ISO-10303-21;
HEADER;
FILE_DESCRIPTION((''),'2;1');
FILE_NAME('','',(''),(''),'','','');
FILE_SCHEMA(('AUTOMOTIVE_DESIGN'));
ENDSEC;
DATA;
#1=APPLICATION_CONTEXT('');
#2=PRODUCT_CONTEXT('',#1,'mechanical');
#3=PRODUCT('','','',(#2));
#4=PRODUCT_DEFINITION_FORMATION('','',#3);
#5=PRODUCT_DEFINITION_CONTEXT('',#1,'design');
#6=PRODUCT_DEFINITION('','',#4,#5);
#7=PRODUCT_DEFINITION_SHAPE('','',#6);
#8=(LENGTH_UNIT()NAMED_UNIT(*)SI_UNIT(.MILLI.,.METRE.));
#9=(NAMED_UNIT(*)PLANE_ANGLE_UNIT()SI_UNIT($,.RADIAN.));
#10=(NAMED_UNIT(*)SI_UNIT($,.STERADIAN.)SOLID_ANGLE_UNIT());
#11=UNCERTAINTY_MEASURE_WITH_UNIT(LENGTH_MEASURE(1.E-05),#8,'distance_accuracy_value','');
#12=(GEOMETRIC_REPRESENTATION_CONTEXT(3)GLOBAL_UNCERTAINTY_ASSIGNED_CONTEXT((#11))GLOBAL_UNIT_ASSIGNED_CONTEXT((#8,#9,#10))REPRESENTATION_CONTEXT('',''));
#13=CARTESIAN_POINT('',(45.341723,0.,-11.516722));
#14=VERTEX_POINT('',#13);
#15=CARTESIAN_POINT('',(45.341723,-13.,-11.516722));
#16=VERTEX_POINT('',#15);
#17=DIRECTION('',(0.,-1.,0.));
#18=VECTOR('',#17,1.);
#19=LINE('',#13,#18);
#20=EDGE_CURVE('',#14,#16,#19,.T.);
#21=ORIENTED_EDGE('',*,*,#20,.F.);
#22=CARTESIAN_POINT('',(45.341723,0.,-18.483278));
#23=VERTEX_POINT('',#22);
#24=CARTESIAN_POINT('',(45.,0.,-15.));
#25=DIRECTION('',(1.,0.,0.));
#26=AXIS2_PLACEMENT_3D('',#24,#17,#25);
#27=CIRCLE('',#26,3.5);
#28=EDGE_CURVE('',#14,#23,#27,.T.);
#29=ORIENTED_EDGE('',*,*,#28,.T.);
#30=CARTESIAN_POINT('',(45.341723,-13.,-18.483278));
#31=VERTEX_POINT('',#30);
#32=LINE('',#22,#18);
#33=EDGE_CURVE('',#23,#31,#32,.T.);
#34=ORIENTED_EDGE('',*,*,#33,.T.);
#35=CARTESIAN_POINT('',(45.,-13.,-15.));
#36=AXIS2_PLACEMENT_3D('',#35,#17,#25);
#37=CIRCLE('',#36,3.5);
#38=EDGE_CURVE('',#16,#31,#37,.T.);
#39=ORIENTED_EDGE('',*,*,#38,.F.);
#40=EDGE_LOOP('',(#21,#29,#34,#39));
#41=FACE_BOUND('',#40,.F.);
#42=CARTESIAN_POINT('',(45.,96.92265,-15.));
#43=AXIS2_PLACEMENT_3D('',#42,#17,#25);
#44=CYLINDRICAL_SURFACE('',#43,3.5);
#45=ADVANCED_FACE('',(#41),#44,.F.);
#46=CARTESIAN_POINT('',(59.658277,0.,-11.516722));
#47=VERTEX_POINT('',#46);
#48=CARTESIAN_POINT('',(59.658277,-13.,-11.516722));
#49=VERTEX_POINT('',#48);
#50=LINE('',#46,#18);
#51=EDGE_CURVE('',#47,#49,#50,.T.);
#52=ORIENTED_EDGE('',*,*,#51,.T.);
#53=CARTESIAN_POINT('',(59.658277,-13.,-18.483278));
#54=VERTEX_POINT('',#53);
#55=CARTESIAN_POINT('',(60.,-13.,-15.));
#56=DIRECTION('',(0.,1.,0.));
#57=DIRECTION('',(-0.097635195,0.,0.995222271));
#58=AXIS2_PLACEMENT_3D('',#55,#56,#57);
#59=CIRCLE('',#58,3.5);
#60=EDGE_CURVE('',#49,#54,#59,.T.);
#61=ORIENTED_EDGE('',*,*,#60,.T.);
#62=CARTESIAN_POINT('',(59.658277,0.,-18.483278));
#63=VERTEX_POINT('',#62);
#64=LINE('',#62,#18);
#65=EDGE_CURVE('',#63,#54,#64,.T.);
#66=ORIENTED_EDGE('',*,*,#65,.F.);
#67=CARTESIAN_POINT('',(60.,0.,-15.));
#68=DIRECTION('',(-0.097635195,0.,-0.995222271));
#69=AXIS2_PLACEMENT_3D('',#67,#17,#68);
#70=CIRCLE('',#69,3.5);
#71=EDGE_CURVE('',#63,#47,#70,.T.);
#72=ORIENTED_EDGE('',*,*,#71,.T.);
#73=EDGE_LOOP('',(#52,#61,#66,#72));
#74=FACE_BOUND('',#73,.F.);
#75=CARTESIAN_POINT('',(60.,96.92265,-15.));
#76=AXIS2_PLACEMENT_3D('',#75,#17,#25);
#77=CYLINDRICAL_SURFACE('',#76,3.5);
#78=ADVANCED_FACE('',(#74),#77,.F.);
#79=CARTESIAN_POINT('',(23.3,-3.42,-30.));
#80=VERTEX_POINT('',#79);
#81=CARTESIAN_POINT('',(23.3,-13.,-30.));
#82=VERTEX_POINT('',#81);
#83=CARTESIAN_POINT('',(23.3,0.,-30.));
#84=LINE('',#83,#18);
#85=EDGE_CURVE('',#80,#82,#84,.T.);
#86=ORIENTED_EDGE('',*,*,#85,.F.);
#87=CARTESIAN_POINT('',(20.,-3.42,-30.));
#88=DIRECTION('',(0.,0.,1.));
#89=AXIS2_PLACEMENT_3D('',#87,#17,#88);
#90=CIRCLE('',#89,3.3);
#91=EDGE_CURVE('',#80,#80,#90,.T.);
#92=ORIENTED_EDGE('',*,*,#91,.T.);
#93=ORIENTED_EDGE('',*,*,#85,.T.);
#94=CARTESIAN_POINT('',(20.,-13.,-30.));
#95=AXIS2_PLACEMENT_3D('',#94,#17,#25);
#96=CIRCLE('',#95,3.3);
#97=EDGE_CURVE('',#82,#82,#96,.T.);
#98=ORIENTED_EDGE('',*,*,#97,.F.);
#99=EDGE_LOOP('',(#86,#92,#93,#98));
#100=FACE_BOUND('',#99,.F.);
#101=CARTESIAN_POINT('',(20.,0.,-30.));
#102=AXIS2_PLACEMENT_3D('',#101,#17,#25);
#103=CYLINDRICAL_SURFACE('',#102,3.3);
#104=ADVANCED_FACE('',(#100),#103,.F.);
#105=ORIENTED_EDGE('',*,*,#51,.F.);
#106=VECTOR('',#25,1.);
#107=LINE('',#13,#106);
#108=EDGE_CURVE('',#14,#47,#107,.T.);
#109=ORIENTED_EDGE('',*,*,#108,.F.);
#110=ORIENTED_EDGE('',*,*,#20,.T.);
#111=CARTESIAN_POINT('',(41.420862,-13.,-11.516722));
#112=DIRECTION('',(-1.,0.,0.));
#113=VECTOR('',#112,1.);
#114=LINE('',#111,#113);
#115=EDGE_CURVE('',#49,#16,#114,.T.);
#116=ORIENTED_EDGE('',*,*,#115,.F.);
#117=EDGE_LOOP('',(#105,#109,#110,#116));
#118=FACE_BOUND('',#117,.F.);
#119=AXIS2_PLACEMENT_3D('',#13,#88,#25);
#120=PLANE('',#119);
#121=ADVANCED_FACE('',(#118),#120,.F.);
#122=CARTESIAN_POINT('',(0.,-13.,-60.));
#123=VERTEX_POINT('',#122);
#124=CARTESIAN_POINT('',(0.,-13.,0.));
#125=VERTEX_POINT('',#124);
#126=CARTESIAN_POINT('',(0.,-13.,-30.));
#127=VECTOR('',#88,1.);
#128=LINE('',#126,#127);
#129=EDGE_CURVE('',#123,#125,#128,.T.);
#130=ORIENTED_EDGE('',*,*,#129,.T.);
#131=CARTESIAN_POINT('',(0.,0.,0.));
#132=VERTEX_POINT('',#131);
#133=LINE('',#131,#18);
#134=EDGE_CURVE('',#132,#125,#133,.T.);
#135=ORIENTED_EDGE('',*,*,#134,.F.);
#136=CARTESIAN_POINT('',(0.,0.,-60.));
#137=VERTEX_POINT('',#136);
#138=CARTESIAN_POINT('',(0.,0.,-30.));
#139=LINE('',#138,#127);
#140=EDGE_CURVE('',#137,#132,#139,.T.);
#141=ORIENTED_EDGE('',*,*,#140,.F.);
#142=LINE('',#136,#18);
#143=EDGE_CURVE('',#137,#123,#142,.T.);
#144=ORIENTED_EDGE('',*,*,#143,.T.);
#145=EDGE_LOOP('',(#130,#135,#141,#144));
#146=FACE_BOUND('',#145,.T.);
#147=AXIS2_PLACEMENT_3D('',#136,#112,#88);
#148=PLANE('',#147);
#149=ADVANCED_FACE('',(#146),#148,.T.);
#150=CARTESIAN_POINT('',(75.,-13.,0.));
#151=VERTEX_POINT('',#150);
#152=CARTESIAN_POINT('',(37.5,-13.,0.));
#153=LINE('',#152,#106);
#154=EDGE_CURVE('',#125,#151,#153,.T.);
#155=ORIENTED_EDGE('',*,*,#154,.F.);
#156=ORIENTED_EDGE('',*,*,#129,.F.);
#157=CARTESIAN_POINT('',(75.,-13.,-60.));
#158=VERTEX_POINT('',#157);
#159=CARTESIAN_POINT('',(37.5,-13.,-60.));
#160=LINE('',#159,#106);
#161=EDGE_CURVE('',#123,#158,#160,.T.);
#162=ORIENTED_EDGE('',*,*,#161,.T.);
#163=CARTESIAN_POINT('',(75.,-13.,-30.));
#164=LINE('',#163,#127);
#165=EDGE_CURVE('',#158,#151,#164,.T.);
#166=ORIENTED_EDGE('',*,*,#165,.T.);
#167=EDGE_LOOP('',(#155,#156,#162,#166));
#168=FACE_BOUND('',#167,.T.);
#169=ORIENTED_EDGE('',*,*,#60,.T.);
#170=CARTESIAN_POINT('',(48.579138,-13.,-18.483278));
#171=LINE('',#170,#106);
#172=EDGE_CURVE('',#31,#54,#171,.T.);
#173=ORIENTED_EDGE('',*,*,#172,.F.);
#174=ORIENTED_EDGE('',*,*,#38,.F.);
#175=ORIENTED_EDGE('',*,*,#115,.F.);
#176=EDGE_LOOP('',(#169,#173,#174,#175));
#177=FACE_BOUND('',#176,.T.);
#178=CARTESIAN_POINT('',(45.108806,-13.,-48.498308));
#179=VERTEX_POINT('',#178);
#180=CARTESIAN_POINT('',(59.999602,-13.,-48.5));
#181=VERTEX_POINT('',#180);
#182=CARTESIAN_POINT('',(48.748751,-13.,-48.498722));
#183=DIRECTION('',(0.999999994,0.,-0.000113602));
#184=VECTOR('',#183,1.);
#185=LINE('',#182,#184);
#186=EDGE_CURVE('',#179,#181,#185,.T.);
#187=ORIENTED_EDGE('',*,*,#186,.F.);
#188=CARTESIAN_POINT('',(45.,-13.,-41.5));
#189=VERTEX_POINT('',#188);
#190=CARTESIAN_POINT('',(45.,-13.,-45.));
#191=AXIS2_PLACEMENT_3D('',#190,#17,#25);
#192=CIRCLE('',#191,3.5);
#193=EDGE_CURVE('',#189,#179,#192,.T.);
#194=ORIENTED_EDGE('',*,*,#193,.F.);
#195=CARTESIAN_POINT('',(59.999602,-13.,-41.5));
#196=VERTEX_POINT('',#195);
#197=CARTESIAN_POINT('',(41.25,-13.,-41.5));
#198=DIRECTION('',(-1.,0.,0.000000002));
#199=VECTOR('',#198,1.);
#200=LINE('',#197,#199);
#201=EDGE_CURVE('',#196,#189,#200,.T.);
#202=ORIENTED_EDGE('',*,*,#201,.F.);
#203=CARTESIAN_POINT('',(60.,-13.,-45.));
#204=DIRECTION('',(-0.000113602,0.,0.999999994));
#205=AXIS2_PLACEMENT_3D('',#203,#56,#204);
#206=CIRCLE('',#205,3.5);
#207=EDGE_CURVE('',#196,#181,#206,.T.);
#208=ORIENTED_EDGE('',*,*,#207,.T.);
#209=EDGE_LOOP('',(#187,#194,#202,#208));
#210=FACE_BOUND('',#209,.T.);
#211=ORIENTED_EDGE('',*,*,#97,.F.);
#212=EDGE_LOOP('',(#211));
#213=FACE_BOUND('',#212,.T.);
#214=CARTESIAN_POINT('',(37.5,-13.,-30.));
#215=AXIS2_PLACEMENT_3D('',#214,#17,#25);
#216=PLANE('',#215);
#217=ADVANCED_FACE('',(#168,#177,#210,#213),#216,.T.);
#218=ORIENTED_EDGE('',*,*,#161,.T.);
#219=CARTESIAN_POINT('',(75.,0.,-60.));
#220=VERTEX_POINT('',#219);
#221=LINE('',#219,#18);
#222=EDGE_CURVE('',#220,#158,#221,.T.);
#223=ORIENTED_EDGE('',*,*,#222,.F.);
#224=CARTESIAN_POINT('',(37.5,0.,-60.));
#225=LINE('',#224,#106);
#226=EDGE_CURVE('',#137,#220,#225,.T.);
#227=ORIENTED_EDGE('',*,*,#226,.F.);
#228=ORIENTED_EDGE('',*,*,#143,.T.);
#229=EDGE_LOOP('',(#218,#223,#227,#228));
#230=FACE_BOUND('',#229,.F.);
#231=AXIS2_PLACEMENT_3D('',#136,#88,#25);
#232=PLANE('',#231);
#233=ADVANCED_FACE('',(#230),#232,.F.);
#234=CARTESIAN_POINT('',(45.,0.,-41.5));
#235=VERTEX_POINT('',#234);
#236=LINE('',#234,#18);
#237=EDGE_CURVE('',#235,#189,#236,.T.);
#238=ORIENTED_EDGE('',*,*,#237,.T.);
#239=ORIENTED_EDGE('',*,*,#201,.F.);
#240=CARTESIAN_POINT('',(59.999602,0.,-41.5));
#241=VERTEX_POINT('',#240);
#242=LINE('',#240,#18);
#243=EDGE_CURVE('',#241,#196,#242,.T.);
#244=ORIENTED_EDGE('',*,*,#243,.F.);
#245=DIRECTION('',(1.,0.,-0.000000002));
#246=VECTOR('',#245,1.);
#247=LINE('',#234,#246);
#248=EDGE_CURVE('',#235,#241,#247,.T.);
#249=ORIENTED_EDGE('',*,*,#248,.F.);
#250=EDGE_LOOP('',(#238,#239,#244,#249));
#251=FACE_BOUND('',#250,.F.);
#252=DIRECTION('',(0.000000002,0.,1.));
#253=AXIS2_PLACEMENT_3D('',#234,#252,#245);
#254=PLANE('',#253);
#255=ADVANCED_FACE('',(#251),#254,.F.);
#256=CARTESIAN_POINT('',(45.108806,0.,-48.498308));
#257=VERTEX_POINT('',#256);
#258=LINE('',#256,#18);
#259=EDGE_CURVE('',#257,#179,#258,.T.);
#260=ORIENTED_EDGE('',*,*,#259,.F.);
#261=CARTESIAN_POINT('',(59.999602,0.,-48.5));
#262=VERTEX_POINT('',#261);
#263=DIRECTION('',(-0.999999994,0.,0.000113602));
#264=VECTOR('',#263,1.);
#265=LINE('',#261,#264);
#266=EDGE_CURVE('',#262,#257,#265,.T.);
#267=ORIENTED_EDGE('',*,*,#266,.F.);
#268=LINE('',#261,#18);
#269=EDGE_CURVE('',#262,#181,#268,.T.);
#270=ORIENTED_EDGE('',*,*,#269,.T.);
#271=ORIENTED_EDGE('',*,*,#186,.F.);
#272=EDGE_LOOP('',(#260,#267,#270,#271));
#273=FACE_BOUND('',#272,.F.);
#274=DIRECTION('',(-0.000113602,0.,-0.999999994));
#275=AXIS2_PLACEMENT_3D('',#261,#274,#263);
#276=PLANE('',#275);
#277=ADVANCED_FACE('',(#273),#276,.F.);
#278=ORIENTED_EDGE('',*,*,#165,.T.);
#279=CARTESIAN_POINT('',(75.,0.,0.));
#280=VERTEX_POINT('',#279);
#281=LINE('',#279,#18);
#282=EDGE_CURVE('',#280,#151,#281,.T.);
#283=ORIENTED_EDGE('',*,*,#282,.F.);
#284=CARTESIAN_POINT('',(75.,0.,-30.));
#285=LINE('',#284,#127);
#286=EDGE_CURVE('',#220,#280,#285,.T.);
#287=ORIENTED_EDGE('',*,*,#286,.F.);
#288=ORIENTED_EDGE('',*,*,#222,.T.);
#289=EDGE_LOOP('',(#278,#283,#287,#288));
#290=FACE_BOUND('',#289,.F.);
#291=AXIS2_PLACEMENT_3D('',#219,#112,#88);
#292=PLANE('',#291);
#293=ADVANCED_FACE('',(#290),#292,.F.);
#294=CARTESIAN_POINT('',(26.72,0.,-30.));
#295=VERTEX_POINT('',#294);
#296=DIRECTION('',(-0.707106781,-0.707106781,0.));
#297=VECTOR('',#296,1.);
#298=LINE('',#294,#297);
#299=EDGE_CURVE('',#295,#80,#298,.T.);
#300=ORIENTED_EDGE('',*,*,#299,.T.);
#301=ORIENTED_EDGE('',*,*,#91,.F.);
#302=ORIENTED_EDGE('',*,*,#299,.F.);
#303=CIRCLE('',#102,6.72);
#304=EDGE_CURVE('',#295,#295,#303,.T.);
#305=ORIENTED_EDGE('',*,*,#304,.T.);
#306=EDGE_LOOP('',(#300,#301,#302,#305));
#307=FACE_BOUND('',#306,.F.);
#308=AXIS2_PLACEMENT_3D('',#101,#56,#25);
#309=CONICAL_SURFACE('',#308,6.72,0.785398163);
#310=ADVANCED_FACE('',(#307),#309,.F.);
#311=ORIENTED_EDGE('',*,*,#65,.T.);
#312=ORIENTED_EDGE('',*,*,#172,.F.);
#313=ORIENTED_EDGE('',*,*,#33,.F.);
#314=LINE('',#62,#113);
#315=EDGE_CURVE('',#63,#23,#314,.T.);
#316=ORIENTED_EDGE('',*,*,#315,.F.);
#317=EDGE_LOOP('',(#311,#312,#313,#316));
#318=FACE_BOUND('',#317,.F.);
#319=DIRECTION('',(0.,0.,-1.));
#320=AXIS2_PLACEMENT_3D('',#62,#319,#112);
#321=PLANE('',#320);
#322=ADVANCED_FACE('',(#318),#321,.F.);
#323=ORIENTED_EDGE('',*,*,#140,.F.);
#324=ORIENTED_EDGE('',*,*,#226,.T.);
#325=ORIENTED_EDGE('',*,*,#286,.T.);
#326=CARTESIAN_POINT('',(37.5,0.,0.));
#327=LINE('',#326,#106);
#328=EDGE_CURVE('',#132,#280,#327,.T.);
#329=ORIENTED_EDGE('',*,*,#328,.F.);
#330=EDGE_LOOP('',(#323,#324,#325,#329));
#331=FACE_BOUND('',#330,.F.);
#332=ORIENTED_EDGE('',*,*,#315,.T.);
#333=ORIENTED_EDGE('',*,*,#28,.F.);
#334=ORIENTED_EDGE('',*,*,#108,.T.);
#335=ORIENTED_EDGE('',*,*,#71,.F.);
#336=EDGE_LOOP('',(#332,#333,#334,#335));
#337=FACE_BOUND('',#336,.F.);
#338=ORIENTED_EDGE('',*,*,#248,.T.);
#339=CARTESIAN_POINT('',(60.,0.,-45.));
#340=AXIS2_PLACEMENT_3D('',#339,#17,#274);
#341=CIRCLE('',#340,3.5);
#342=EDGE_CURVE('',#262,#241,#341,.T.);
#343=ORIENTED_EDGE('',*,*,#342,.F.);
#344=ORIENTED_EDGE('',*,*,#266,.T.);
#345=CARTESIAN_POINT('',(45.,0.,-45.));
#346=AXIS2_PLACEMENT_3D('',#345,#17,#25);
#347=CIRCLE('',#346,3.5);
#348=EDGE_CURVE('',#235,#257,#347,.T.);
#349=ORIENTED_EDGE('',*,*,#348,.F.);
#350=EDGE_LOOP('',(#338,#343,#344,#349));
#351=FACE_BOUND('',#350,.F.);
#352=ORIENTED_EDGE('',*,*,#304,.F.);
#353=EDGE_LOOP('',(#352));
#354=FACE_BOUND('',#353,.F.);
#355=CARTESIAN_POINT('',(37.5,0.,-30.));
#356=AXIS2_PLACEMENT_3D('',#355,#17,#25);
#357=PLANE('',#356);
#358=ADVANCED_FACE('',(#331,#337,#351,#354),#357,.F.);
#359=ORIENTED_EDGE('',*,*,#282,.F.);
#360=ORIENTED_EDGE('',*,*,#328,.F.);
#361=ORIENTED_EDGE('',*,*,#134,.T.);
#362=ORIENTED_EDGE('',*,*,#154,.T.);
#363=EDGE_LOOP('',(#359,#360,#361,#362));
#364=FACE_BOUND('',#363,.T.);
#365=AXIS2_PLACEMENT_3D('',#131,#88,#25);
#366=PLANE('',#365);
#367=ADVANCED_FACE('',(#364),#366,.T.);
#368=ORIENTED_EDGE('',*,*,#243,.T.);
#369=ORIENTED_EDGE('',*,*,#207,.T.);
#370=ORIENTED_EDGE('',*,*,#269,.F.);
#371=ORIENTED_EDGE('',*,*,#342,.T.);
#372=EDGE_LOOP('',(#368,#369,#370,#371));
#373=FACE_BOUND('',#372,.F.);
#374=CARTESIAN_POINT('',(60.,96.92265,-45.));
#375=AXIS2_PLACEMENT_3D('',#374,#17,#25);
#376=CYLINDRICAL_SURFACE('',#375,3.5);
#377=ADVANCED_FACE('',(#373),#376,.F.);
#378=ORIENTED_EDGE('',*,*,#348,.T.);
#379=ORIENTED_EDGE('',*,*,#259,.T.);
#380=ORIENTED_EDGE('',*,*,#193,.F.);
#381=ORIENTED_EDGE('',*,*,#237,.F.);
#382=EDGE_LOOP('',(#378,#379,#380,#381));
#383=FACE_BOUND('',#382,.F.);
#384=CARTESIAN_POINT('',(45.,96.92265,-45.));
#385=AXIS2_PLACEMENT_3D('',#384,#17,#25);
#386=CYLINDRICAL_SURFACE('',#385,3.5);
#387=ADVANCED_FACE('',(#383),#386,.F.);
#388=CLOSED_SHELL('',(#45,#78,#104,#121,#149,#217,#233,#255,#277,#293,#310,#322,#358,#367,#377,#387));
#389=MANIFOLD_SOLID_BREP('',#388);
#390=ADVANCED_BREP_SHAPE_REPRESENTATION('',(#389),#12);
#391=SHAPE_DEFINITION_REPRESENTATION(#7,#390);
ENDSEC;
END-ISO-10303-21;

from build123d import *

# Parameters (mm, degrees)
F0_W           = 75
F0_H           = 60
F1_DEPTH       = 13
F3_D           = 6.6
F3_CSINK_D     = 13.44
F3_CSINK_ANGLE = 90
F5_D           = 7
F7_DEPTH       = 25
F9_DEPTH       = 25


with BuildPart() as f1:
    # F0 (on Front) → F1 (new body)
    with BuildSketch(Plane.XZ):
        with Locations((37.5, -30)):
            Rectangle(F0_W, F0_H)
    extrude(amount=F1_DEPTH)

    # F3 (through all)
    with Locations(Plane(origin=(0, 0, 0), x_dir=(-1, 0, 0), z_dir=(0, 1, 0))):
        with Locations((-20, -30)):
            CounterSinkHole(F3_D / 2, F3_CSINK_D / 2, counter_sink_angle=F3_CSINK_ANGLE)

    # F5 (through all)
    with Locations(Plane(origin=(0, 0, 0), x_dir=(-1, 0, 0), z_dir=(0, 1, 0))):
        with Locations((-45, -45), (-60, -45), (-60, -15), (-45, -15)):
            Hole(F5_D / 2)

    # F6 (on face) → F7 (cut)
    with BuildSketch(Plane(origin=(0, 0, 0), x_dir=(-1, 0, 0), z_dir=(0, 1, 0))):
        Polygon((-59.9996023931, -48.4999999774), (-45.1088056195, -48.4983083536), (-45.0000000053, -41.5), (-59.9996023931, -41.5000000226), align=None)
    extrude(amount=-F7_DEPTH, mode=Mode.SUBTRACT)

    # F8 (on face) → F9 (cut)
    with BuildSketch(Plane(origin=(0, 0, 0), x_dir=(-1, 0, 0), z_dir=(0, 1, 0))):
        with BuildLine():
            Line((-45.3417231841, -11.5167220517), (-59.6582768159, -11.5167220517))
            ThreePointArc((-59.6582768159, -11.5167220517), (-57.4071221448, -12.64904606), (-56.5, -15))
            ThreePointArc((-56.5, -15), (-57.4071221448, -17.35095394), (-59.6582768159, -18.4832779483))
            Line((-59.6582768159, -18.4832779483), (-45.3417231841, -18.4832779483))
            ThreePointArc((-45.3417231841, -18.4832779483), (-48.5, -15), (-45.3417231841, -11.5167220517))
        make_face()
    extrude(amount=-F9_DEPTH, mode=Mode.SUBTRACT)


solid = f1.part
